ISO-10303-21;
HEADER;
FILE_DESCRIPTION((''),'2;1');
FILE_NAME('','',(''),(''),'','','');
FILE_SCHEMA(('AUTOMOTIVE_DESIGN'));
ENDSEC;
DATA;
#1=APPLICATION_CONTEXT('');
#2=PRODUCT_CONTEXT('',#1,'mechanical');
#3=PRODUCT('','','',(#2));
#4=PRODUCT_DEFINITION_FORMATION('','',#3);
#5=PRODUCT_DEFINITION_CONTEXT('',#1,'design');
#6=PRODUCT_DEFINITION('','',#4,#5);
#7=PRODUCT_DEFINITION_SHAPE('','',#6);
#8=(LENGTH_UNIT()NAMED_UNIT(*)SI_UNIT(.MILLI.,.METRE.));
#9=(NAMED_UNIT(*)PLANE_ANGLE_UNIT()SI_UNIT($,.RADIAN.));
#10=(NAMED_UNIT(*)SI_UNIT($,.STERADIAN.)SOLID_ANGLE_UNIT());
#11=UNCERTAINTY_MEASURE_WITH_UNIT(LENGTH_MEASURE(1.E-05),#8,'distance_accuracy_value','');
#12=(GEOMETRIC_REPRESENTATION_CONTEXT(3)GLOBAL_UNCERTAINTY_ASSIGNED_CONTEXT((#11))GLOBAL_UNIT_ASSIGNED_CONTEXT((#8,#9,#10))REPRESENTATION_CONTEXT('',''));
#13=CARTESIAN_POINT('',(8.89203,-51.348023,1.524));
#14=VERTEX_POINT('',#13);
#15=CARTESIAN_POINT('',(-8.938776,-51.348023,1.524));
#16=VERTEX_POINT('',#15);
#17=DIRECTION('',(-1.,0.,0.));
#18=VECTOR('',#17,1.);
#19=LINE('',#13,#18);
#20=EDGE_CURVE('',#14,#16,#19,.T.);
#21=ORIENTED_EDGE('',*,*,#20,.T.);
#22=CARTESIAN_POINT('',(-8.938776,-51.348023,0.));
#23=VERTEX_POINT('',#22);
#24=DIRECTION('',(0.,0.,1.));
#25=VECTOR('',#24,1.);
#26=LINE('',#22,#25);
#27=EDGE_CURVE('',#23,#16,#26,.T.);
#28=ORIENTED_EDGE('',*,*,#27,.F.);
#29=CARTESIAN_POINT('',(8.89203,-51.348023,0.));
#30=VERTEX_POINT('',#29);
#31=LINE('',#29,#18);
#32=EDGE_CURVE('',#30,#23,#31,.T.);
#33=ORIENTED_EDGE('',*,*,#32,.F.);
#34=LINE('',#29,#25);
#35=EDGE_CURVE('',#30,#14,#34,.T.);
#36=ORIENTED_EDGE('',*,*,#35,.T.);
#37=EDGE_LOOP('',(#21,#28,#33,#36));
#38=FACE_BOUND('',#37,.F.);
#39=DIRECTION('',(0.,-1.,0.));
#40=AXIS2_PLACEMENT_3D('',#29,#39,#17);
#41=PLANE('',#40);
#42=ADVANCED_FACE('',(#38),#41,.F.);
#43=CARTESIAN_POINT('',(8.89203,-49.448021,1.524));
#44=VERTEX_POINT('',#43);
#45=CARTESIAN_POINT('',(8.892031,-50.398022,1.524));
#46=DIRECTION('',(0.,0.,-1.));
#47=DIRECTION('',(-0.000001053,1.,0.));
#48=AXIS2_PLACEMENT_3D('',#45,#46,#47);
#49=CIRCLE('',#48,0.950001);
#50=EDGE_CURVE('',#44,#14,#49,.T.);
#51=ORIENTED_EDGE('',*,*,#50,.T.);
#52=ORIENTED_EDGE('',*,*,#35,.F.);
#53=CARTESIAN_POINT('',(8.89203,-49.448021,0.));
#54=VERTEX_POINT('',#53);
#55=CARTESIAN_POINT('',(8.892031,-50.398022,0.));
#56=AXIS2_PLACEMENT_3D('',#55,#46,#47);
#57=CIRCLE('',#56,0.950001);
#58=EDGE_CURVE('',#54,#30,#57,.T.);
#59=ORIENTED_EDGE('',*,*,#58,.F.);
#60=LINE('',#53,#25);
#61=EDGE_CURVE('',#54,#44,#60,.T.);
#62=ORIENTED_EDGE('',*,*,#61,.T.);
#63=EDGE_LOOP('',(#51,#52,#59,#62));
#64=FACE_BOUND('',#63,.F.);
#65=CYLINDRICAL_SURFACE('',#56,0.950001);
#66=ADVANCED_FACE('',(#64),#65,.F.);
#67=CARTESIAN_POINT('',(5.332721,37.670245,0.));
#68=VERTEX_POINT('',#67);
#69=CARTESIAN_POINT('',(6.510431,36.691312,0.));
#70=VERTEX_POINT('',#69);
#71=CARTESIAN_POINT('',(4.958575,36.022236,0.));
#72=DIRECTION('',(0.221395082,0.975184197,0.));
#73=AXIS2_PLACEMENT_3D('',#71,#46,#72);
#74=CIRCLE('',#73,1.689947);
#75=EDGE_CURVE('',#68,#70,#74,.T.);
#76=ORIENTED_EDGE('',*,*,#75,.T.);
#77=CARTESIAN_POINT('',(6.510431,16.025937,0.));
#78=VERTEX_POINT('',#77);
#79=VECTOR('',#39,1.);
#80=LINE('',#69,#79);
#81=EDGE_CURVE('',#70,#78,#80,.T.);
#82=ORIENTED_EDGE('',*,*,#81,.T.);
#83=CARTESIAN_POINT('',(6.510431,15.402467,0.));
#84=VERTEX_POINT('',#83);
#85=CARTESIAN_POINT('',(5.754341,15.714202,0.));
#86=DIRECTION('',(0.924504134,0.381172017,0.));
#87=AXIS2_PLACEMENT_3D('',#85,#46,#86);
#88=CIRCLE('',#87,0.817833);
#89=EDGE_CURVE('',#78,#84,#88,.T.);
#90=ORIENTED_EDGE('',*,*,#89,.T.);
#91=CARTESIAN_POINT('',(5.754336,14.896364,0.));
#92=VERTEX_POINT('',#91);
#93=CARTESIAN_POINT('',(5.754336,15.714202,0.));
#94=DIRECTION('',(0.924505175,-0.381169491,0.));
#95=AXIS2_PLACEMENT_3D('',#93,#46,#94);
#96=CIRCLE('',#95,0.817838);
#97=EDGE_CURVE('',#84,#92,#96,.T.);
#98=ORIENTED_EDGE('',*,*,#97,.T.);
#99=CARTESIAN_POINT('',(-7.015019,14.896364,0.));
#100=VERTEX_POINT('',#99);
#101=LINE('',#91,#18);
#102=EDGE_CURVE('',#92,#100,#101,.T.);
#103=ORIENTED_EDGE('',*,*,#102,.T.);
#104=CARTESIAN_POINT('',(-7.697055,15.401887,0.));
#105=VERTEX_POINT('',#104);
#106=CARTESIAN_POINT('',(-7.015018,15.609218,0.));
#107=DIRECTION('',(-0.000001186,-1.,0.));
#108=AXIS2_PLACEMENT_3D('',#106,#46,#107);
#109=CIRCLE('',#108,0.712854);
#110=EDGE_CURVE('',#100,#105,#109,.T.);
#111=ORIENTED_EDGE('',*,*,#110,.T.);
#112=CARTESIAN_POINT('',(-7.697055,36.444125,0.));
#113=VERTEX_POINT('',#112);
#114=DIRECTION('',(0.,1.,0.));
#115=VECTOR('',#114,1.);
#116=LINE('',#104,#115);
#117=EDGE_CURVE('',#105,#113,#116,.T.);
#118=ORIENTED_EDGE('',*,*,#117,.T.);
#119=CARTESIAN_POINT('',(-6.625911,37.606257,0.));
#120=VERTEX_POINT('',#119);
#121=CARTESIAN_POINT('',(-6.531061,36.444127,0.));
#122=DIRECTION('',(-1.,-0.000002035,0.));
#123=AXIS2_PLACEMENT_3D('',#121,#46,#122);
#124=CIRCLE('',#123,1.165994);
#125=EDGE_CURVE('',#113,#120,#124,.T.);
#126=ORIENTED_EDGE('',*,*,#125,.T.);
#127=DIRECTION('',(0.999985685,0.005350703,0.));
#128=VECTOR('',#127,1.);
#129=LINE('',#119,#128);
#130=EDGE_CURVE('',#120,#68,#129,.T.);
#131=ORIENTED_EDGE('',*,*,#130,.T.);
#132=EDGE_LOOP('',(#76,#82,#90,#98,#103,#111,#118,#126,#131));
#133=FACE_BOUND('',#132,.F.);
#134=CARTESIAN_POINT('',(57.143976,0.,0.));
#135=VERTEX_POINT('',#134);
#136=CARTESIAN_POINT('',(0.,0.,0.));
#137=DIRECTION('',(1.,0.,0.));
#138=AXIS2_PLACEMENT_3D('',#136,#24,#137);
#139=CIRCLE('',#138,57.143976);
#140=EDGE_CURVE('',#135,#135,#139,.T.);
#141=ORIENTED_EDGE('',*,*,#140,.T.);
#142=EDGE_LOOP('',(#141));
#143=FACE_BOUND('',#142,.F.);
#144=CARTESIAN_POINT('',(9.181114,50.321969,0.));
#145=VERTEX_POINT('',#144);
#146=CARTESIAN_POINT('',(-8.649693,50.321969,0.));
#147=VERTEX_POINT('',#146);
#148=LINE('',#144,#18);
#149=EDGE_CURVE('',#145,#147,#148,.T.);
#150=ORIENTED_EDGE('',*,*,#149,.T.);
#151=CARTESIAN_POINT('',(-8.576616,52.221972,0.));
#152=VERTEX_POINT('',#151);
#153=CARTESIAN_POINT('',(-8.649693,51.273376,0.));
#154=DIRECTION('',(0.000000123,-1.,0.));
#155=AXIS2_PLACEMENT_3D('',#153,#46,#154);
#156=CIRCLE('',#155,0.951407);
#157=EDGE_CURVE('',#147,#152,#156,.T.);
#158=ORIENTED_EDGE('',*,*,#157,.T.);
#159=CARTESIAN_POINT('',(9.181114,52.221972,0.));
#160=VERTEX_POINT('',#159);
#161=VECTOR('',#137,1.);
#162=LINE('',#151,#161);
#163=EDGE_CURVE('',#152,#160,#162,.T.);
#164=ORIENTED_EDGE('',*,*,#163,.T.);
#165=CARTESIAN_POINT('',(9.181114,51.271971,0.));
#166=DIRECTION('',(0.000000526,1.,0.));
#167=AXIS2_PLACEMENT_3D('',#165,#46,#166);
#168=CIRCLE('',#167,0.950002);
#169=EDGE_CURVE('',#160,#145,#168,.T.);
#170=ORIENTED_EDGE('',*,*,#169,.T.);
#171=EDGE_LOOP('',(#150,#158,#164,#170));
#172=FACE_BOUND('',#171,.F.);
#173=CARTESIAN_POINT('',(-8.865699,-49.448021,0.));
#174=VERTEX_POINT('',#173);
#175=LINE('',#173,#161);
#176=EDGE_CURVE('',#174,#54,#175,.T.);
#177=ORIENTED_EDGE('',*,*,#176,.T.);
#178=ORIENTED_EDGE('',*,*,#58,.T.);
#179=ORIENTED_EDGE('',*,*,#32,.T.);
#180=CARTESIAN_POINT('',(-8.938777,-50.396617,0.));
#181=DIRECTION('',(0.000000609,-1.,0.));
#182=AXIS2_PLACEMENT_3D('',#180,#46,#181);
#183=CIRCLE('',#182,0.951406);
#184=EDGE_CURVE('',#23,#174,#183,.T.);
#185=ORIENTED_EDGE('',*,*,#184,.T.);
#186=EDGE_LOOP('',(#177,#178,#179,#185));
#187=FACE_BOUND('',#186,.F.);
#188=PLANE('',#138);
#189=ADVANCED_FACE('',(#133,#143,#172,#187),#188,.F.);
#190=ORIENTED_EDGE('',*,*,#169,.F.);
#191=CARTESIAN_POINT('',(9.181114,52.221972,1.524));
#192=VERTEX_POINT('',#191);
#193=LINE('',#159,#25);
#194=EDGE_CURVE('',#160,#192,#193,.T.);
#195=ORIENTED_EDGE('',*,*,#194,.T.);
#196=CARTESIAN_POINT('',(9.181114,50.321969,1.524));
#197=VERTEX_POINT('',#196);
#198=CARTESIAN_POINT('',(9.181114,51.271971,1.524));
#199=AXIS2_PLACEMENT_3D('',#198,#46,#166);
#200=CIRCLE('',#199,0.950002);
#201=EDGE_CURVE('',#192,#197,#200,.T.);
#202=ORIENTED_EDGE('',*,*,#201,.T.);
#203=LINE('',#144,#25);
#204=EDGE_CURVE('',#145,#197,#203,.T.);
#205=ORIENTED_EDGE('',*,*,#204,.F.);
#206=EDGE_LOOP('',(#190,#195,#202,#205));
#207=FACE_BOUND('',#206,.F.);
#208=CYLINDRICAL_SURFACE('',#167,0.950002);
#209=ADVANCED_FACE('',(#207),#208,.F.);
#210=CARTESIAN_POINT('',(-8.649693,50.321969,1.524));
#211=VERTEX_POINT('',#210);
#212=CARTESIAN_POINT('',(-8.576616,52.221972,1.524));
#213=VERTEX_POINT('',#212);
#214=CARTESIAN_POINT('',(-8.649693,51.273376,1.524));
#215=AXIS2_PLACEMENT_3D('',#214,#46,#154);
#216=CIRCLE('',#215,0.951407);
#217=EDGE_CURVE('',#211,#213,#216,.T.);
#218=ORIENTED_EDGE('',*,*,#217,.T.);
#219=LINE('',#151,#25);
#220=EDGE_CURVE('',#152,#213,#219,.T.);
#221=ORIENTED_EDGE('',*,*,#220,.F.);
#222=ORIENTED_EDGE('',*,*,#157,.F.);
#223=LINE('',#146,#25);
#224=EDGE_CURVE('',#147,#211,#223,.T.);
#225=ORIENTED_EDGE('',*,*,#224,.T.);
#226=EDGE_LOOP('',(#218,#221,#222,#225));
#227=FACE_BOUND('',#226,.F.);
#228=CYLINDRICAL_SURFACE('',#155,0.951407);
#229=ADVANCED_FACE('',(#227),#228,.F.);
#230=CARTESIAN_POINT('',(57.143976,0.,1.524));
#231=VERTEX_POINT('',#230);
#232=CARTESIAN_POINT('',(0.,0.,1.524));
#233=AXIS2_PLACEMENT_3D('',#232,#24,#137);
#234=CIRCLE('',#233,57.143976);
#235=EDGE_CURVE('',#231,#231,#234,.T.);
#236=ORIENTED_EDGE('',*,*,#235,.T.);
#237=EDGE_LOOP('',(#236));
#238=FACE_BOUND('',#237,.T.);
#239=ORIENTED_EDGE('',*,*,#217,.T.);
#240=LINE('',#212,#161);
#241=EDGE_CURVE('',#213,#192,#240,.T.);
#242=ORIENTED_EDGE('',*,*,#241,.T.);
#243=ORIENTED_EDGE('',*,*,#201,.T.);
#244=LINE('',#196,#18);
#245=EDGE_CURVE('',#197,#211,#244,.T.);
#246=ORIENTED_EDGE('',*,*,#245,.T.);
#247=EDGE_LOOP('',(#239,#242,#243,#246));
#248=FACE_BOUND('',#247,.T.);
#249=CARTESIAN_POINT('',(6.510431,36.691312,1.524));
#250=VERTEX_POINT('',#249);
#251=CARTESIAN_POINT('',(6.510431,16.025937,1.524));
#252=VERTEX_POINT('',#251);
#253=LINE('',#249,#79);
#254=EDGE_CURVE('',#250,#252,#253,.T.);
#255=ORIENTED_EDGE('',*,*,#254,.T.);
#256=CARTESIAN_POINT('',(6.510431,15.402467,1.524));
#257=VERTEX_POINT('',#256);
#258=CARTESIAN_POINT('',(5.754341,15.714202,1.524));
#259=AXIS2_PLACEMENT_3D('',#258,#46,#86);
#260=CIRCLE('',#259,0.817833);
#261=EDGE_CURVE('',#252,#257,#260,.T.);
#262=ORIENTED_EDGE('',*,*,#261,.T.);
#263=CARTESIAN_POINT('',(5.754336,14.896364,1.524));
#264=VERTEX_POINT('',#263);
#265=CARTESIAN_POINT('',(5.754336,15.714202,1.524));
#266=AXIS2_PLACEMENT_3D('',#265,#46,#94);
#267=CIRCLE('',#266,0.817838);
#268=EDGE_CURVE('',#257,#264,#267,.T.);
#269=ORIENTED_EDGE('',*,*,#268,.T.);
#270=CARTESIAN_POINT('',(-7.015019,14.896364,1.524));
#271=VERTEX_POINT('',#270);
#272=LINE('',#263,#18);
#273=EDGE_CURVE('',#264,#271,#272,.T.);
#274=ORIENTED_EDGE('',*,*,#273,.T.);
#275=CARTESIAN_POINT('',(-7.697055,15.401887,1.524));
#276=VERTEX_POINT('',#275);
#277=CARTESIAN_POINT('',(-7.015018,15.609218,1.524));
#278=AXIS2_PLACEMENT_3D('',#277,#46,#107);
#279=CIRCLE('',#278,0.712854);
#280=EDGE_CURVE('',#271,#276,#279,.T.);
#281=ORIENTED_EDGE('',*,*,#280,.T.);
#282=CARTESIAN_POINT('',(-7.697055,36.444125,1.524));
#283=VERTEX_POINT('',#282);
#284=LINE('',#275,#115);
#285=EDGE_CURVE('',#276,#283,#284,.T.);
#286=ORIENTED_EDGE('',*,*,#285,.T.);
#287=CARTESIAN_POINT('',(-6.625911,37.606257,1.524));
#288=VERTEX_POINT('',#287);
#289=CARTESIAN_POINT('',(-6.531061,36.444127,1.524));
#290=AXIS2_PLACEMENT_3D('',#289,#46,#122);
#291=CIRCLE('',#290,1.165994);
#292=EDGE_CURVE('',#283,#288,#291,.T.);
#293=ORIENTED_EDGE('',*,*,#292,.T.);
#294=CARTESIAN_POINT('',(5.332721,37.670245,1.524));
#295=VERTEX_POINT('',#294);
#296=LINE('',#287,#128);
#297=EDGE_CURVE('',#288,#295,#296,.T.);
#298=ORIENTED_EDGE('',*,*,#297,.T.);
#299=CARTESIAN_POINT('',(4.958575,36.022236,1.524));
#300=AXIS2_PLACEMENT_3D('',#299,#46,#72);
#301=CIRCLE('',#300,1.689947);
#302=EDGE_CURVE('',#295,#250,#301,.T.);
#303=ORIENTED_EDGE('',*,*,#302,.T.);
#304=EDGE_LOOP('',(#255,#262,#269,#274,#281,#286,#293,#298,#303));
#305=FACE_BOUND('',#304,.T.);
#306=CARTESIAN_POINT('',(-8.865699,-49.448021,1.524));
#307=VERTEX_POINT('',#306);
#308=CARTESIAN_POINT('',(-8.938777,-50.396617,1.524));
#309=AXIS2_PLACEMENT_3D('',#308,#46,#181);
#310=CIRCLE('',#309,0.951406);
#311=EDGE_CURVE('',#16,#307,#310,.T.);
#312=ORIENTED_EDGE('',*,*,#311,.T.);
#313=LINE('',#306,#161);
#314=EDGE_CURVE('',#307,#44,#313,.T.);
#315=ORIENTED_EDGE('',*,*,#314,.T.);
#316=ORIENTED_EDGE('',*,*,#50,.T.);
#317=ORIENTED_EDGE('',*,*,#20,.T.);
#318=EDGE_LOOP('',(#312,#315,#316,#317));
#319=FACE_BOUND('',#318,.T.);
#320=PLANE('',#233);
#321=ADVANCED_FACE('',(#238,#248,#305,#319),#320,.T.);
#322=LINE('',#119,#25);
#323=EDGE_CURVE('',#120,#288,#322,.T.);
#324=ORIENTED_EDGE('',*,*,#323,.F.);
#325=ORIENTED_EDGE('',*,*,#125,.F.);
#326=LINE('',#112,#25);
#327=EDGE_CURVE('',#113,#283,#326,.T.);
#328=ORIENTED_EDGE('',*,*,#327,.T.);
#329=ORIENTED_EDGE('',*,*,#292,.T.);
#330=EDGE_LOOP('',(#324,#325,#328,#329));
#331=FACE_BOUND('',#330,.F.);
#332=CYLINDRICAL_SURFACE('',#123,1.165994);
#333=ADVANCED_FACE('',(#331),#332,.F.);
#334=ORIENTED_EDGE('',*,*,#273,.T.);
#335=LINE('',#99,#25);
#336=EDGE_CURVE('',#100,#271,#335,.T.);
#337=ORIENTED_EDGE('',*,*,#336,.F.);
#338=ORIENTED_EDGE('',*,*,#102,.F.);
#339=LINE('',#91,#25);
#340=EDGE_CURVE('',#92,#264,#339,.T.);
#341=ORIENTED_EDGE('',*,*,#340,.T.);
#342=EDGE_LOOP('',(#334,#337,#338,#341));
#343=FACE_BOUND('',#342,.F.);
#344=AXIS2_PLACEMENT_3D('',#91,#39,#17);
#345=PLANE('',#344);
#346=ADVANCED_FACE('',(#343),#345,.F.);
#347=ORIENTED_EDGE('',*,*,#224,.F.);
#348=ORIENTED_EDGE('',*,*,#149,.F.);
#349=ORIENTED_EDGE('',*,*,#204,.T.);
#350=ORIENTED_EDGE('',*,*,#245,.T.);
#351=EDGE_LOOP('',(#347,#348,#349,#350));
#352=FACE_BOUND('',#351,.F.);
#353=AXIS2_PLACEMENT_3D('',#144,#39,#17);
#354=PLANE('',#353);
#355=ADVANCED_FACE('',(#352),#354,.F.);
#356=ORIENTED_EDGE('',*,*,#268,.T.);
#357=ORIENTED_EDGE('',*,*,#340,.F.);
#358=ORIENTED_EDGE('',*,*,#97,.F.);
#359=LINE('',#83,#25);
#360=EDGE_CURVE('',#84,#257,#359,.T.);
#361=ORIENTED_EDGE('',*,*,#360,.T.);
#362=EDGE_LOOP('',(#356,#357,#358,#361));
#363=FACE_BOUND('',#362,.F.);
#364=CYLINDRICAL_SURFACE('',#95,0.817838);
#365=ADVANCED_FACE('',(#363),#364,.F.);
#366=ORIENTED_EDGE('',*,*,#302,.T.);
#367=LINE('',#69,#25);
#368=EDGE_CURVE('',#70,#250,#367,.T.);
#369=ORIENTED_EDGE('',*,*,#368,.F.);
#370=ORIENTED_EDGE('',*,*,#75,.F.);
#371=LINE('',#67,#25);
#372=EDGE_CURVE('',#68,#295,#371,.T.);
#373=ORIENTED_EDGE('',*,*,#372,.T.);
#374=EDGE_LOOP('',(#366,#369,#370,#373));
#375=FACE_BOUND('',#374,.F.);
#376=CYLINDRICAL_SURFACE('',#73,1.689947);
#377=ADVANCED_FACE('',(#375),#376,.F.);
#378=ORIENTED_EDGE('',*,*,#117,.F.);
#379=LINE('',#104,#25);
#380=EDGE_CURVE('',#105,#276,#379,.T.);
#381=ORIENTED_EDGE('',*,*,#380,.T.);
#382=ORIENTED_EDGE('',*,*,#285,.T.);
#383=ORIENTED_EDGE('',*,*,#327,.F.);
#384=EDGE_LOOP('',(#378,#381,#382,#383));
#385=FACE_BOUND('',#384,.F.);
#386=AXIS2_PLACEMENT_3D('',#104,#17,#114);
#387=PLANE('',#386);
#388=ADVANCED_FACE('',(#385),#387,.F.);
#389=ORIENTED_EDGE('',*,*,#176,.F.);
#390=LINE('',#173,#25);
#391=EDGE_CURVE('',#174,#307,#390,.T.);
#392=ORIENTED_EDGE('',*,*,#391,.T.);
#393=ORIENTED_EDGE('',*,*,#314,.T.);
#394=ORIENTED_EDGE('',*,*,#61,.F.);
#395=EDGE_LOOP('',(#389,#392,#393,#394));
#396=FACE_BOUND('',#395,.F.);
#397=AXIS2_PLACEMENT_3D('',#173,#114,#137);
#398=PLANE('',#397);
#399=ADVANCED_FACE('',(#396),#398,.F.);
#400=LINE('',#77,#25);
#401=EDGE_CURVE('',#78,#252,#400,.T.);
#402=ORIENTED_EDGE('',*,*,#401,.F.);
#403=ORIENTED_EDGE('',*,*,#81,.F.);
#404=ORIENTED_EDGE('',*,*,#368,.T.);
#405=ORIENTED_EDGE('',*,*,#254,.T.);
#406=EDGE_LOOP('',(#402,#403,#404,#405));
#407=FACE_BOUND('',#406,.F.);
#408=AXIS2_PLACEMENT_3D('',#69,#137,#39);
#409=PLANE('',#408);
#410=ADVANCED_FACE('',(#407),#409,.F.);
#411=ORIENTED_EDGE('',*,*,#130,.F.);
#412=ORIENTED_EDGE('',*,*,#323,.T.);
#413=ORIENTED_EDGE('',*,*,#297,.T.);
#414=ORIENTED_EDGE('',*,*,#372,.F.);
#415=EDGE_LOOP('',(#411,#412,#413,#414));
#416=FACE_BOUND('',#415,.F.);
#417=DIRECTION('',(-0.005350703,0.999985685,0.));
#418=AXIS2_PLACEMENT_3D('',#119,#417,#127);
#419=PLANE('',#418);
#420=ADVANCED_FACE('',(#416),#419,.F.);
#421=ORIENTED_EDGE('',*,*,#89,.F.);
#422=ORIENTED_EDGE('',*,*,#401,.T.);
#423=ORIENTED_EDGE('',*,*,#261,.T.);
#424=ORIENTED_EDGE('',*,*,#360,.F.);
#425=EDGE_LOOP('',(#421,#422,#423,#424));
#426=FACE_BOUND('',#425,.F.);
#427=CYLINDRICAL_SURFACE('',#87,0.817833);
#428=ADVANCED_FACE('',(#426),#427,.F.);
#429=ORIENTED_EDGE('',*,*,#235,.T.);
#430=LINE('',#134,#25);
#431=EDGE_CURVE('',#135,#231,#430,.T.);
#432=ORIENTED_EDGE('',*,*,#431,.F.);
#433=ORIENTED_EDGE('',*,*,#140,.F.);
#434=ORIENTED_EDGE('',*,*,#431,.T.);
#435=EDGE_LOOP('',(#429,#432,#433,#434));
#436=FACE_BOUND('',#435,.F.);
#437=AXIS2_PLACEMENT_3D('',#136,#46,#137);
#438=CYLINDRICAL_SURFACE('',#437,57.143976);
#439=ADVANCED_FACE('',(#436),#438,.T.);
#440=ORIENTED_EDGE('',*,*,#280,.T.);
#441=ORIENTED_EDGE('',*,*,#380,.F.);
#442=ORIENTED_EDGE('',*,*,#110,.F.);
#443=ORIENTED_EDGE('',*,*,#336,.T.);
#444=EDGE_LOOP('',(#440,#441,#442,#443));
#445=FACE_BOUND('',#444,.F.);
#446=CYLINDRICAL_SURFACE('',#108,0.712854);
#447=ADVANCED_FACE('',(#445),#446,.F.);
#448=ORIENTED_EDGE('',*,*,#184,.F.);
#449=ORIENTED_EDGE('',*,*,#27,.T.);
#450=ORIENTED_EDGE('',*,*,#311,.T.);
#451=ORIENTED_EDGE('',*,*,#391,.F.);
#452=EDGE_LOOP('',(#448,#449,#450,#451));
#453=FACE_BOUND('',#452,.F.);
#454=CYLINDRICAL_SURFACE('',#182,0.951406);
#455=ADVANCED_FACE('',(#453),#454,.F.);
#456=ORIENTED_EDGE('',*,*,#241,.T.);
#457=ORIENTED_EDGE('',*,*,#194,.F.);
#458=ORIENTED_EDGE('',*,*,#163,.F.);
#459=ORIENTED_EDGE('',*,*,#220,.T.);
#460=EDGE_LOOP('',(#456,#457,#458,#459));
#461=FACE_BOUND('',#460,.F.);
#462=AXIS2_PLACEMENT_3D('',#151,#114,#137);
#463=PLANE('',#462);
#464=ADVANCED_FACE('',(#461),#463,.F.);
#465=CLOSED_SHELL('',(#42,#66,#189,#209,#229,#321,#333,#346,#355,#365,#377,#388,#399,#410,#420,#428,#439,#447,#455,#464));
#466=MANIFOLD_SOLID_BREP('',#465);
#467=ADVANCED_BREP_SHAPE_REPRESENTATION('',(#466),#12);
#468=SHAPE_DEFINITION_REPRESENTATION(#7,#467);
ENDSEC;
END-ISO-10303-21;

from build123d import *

# Parameters (mm, degrees)
F0_R     = 57.143976
F1_DEPTH = 1.524


with BuildPart() as f1:
    # F0 (on Top) → F1 (new body)
    with BuildSketch(Plane.XY):
        Circle(F0_R)
        with BuildLine():
            Line((-8.865699, -49.448021), (0, -49.448021))
            Line((0, -49.448021), (8.89203, -49.448021))
            ThreePointArc((8.89203, -49.448021), (9.842032, -50.398022), (8.89203, -51.348023))
            Line((8.89203, -51.348023), (0, -51.348023))
            Line((0, -51.348023), (-8.938776, -51.348023))
            ThreePointArc((-8.938776, -51.348023), (-9.88948, -50.360051), (-8.865699, -49.448021))
        make_face(mode=Mode.SUBTRACT)
        with BuildLine():
            Line((5.754336, 14.896364), (-7.015019, 14.896364))
            ThreePointArc((-7.015019, 14.896364), (-7.439497, 15.036524), (-7.697055, 15.401887))
            Line((-7.697055, 15.401887), (-7.697055, 36.444125))
            ThreePointArc((-7.697055, 36.444125), (-7.388423, 37.234363), (-6.625911, 37.606257))
            Line((-6.625911, 37.606257), (5.332721, 37.670245))
            ThreePointArc((5.332721, 37.670245), (6.038829, 37.32184), (6.510431, 36.691312))
            Line((6.510431, 36.691312), (6.510431, 16.025937))
            ThreePointArc((6.510431, 16.025937), (6.572174, 15.714202), (6.510431, 15.402467))
            ThreePointArc((6.510431, 15.402467), (6.209259, 15.034567), (5.754336, 14.896364))
        make_face(mode=Mode.SUBTRACT)
        with BuildLine():
            Line((-8.576616, 52.221972), (-1.39169, 52.221972))
            Line((-1.39169, 52.221972), (9.181114, 52.221972))
            ThreePointArc((9.181114, 52.221972), (10.131115, 51.271971), (9.181114, 50.321969))
            Line((9.181114, 50.321969), (-1.39169, 50.321969))
            Line((-1.39169, 50.321969), (-8.649693, 50.321969))
            ThreePointArc((-8.649693, 50.321969), (-9.600397, 51.309942), (-8.576616, 52.221972))
        make_face(mode=Mode.SUBTRACT)
    extrude(amount=F1_DEPTH)


solid = f1.part
